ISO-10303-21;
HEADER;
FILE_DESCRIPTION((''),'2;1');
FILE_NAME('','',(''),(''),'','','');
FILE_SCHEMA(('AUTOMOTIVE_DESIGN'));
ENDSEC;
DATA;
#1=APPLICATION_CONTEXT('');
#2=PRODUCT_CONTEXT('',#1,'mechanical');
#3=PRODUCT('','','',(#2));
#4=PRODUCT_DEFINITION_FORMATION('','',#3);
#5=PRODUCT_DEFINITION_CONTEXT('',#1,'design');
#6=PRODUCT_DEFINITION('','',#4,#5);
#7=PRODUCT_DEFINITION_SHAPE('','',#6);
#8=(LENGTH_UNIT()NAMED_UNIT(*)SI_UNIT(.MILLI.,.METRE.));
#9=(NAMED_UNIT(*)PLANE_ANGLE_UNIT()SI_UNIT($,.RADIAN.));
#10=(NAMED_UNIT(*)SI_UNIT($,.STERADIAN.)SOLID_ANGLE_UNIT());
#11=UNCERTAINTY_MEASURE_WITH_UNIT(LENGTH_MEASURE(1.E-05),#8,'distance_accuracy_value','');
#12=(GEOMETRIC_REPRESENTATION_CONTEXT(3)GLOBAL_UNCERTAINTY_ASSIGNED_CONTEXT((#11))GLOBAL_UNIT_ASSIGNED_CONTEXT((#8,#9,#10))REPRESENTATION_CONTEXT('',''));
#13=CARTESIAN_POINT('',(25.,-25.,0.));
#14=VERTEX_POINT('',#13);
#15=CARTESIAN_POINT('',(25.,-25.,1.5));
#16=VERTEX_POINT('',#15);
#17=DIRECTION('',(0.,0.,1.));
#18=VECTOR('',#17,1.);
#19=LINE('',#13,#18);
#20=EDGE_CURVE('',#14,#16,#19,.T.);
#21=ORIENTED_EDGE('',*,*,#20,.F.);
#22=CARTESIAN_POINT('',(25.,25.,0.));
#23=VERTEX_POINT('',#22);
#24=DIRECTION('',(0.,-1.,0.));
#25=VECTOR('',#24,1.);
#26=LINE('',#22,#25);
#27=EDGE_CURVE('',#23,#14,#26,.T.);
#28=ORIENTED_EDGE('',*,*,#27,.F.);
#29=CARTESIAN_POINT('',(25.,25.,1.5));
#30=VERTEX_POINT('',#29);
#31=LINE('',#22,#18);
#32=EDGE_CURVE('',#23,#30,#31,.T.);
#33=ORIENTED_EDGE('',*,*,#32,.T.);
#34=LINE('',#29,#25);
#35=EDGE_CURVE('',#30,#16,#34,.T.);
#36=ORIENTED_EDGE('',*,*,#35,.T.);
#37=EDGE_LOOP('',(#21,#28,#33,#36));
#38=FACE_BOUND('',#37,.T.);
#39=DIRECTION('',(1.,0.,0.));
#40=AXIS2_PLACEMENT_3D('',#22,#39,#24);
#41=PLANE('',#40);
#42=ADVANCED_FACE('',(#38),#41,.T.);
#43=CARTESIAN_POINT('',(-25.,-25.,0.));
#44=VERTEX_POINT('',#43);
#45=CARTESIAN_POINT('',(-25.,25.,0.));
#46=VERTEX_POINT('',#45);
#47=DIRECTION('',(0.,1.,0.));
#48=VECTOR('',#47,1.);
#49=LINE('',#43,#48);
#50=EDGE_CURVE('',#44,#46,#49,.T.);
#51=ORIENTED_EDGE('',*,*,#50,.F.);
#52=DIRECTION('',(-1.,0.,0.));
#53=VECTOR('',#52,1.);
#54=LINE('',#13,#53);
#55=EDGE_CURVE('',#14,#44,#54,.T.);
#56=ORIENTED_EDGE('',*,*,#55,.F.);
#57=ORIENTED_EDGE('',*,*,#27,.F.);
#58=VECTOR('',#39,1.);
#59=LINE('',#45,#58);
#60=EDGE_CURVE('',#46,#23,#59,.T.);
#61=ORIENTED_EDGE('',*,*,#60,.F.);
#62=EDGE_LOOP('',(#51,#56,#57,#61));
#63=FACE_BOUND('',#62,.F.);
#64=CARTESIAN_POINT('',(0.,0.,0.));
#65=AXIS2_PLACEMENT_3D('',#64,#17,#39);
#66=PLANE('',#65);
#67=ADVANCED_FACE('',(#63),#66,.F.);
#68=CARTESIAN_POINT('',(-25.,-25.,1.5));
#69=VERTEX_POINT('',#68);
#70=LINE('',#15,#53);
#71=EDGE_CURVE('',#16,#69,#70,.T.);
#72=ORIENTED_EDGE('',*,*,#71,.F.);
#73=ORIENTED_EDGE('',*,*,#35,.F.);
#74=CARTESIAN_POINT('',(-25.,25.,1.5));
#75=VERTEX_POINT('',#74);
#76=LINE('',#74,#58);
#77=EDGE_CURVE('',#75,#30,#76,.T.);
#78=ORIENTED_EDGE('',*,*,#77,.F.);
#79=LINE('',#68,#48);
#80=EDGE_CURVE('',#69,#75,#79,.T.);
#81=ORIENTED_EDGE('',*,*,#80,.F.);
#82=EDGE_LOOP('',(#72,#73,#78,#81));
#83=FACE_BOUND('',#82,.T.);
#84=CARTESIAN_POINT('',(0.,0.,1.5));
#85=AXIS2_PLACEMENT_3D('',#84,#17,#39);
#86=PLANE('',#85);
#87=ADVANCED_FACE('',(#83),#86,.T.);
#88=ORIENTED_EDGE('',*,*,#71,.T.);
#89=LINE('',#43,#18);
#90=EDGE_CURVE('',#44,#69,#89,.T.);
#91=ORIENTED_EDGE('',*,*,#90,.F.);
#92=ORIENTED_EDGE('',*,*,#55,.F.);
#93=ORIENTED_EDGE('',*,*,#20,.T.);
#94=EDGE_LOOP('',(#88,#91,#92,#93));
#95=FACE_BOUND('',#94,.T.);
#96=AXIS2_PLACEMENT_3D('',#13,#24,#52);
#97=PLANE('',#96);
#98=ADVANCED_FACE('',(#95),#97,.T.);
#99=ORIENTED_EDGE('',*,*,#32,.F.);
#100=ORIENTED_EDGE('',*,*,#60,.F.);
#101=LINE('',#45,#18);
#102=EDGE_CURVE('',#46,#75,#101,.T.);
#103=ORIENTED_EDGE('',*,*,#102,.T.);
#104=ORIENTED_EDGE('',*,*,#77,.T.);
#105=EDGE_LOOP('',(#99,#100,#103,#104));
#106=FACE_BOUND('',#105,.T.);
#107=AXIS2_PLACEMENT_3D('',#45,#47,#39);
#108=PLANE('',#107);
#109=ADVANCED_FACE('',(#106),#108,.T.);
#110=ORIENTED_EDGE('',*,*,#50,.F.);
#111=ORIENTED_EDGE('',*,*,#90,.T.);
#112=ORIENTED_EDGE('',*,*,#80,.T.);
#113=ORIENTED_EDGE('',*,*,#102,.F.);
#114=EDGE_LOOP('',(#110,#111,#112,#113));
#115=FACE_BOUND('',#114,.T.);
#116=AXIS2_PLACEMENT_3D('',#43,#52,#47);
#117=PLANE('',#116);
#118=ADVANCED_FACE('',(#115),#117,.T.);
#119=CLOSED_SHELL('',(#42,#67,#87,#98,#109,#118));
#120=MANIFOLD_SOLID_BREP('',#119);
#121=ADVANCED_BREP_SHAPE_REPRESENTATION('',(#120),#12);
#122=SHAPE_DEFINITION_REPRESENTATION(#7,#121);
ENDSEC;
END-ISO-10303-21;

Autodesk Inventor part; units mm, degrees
ref_plane "YZ Plane" through (0, 0, 0) normal (1, 0, 0) x (0, 1, 0)
ref_plane "XZ Plane" through (0, 0, 0) normal (0, 1, 0) x (-1, 0, 0)
ref_plane "XY Plane" through (0, 0, 0) normal (0, 0, 1) x (1, 0, 0)
sketch "스케치1" plane through (0, 0, 0) normal (0, 0, 1) x (1, 0, 0)
  spline S0 degree 3 poles (-15.2612, 12.2515) (-15.0349, 12.6853) (-14.7773, 13.0995) (-14.1966, 13.8896) (-13.8767, 14.2608) (-13.5293, 14.6082) knots 0 0 0 0 0.146771 0.146771 0.294159 0.294159 0.294159 0.294159 projected
  spline S1 degree 3 poles (-13.5293, 14.6082) (-12.7858, 15.269) (-11.9543, 15.7905) (-10.0862, 16.4947) (-9.1079, 16.6525) (-8.1062, 16.6525) knots 0 0 0 0 0.298403 0.298403 0.598924 0.598924 0.598924 0.598924 projected
  spline S2 degree 3 poles (-8.1062, 16.6525) (-7.8174, 16.6525) (-7.4546, 16.5866) (-6.0853, 16.2679) (-4.6907, 15.7628) (-3.4781, 15.2896) knots 0 0 0 0 0.086646 0.086646 0.355547 0.355547 0.355547 0.355547 projected
  spline S3 degree 3 poles (-3.4781, 15.2896) (-3.0595, 15.1088) (-2.6263, 14.9744) (-1.7181, 14.7928) (-1.251, 14.7501) (-0.7808, 14.7501) knots 0 0 0 0 0.136804 0.136804 0.277858 0.277858 0.277858 0.277858 projected
  spline S4 degree 3 poles (-0.7808, 14.7501) (-0.2535, 14.7501) (0.2623, 14.8303) (1.303, 15.1483) (1.8095, 15.3907) (2.2856, 15.6871) knots 0 0 0 0 0.158207 0.158207 0.326474 0.326474 0.326474 0.326474 projected
  spline S5 degree 3 poles (2.2856, 15.6871) (2.9288, 16.0087) (3.6007, 16.2501) (5.0201, 16.5762) (5.7506, 16.6525) (6.4878, 16.6525) knots 0 0 0 0 0.215721 0.215721 0.436896 0.436896 0.436896 0.436896 projected
  spline S6 degree 3 poles (6.4878, 16.6525) (7.6071, 16.6525) (8.6949, 16.4618) (10.6935, 15.6306) (11.5456, 15.0481) (13.3013, 13.3619) (14.0851, 12.1924) (15.1097, 10.2166) (15.4749, 9.2195) (15.9708, 7.0914) (16.0846, 5.9844) (16.0846, 4.8694) knots 0 0 0 0 0.335788 0.335788 0.649311 0.649311 1.066042 1.066042 1.451922 1.451922 1.854033 1.854033 1.854033 1.854033 projected
  spline S7 degree 3 poles (16.0846, 4.8694) (16.0846, 1.2737) (15.262, -1.6239) (13.7487, -5.2119) (13.0412, -6.5055) (11.3461, -8.9093) (10.3819, -9.9944) (9.2987, -10.9739) knots 0 0 0 0 1.078698 1.078698 1.740738 1.740738 2.393565 2.393565 2.393565 2.393565 projected
  spline S8 degree 3 poles (9.2987, -10.9739) (8.6408, -11.5123) (7.9124, -11.9898) (6.441, -12.5997) (5.7252, -12.7627) (4.983, -12.7627) knots 0 0 0 0 0.255029 0.255029 0.477554 0.477554 0.477554 0.477554 projected
  spline S9 degree 3 poles (4.983, -12.7627) (4.7166, -12.7627) (4.3828, -12.7076) (3.6318, -12.548) (3.1427, -12.4109) (2.7115, -12.28) knots 0 0 0 0 0.079924 0.079924 0.194635 0.194635 0.194635 0.194635 projected
  spline S10 degree 3 poles (2.7115, -12.28) (2.0298, -12.0117) (1.2048, -11.7033) (-0.0514, -11.3285) (-0.507, -11.2295) (-0.8092, -11.2295) knots 0 0 0 0 0.219794 0.219794 0.390034 0.390034 0.390034 0.390034 projected
  spline S11 degree 3 poles (-0.8092, -11.2295) (-1.2512, -11.2295) (-1.6961, -11.3049) (-2.6346, -11.5608) (-3.1422, -11.7657) (-3.6201, -11.9961) knots 0 0 0 0 0.132605 0.132605 0.291964 0.291964 0.291964 0.291964 projected
  spline S12 degree 3 poles (-3.6201, -11.9961) (-4.1877, -12.2144) (-4.7785, -12.4014) (-5.8876, -12.6383) (-6.4161, -12.7059) (-6.9421, -12.7059) knots 0 0 0 0 0.182429 0.182429 0.340129 0.340129 0.340129 0.340129 projected
  spline S13 degree 3 poles (-6.9421, -12.7059) (-7.583, -12.7059) (-8.2269, -12.6367) (-9.4043, -12.3085) (-9.9285, -12.0719) (-10.406, -11.7406) knots 0 0 0 0 0.19228 0.19228 0.366605 0.366605 0.366605 0.366605 projected
  spline S14 degree 3 poles (-10.406, -11.7406) (-11.3282, -11.095) (-12.1404, -10.2239) (-13.3474, -8.6615) (-15.2026, -6.1963) (-16.0846, -3.1091) knots 0 0 0 0 0.337694 0.337694 0.593302 0.593302 0.593302 0.593302 projected
  spline S15 degree 3 poles (-16.0846, -3.1091) (-15.3337, -2.9076) (-14.6504, -2.5696) (-13.3763, -1.5844) (-12.8358, -0.9478) (-12.0681, 0.2628) (-11.581, 1.1192) (-10.9842, 3.1586) (-10.8603, 4.0622) (-10.8603, 4.9829) knots 0 0 0 0 0.233256 0.233256 0.483187 0.483187 0.663407 0.663407 0.801191 0.801191 0.801191 0.801191 projected
  spline S16 degree 3 poles (-10.8603, 4.9829) (-10.8603, 5.9854) (-11.0649, 6.9594) (-11.6695, 8.5595) (-12.1993, 9.748) (-13.3408, 11.0751) (-13.6879, 11.3995) (-14.4443, 11.9206) (-14.8379, 12.1168) (-15.2612, 12.2515) knots 0 0 0 0 0.300754 0.300754 0.513178 0.513178 0.592098 0.592098 0.66603 0.66603 0.66603 0.66603 projected
  spline S17 degree 3 poles (0.1846, 16.3969) (-0.7291, 16.3969) (-1.6096, 16.5658) (-2.9769, 17.1375) (-3.4678, 17.4198) (-4.4245, 18.1139) (-4.8791, 18.5298) (-5.2953, 18.9807) knots 0 0 0 0 0.274105 0.274105 0.444593 0.444593 0.628689 0.628689 0.628689 0.628689 projected
  spline S18 degree 3 poles (-5.2953, 18.9807) (-5.9952, 19.8096) (-6.5445, 20.7289) (-7.2862, 22.7782) (-7.4532, 23.8487) (-7.4532, 24.9432) knots 0 0 0 0 0.325461 0.325461 0.65381 0.65381 0.65381 0.65381 projected
  spline S19 degree 3 poles (-7.4532, 24.9432) (-6.4086, 24.7691) (-5.4111, 24.445) (-3.5531, 23.4431) (-2.7409, 22.7941) (-2.0301, 22.0187) knots 0 0 0 0 0.317705 0.317705 0.633268 0.633268 0.633268 0.633268 projected
  spline S20 degree 3 poles (-2.0301, 22.0187) (-1.3509, 21.174) (-0.7665, 20.2451) (-0.0097, 18.3238) (0.1846, 17.3776) (0.1846, 16.3969) knots 0 0 0 0 0.325176 0.325176 0.619265 0.619265 0.619265 0.619265 projected
  line L0 (25, -25) -> (-25, -25) projected
  line L1 (25, 25) -> (25, -25) projected
  line L2 (-25, 25) -> (25, 25) projected
  line L3 (-25, -25) -> (-25, 25) projected
  point P0 (0, 0)
extrude "돌출1" add sketch "스케치1" along normal blind 1.5 contours S0 S1 S2 S3 S4 S5 S6 S7 S8 S9 S10 S11 S12 S13 S14 S15 S16 | S17 S18 S19 S20 | L0 L3 L2 L1
properties part number "light balance panel" material "폴리카보네이트, 흐릿"
